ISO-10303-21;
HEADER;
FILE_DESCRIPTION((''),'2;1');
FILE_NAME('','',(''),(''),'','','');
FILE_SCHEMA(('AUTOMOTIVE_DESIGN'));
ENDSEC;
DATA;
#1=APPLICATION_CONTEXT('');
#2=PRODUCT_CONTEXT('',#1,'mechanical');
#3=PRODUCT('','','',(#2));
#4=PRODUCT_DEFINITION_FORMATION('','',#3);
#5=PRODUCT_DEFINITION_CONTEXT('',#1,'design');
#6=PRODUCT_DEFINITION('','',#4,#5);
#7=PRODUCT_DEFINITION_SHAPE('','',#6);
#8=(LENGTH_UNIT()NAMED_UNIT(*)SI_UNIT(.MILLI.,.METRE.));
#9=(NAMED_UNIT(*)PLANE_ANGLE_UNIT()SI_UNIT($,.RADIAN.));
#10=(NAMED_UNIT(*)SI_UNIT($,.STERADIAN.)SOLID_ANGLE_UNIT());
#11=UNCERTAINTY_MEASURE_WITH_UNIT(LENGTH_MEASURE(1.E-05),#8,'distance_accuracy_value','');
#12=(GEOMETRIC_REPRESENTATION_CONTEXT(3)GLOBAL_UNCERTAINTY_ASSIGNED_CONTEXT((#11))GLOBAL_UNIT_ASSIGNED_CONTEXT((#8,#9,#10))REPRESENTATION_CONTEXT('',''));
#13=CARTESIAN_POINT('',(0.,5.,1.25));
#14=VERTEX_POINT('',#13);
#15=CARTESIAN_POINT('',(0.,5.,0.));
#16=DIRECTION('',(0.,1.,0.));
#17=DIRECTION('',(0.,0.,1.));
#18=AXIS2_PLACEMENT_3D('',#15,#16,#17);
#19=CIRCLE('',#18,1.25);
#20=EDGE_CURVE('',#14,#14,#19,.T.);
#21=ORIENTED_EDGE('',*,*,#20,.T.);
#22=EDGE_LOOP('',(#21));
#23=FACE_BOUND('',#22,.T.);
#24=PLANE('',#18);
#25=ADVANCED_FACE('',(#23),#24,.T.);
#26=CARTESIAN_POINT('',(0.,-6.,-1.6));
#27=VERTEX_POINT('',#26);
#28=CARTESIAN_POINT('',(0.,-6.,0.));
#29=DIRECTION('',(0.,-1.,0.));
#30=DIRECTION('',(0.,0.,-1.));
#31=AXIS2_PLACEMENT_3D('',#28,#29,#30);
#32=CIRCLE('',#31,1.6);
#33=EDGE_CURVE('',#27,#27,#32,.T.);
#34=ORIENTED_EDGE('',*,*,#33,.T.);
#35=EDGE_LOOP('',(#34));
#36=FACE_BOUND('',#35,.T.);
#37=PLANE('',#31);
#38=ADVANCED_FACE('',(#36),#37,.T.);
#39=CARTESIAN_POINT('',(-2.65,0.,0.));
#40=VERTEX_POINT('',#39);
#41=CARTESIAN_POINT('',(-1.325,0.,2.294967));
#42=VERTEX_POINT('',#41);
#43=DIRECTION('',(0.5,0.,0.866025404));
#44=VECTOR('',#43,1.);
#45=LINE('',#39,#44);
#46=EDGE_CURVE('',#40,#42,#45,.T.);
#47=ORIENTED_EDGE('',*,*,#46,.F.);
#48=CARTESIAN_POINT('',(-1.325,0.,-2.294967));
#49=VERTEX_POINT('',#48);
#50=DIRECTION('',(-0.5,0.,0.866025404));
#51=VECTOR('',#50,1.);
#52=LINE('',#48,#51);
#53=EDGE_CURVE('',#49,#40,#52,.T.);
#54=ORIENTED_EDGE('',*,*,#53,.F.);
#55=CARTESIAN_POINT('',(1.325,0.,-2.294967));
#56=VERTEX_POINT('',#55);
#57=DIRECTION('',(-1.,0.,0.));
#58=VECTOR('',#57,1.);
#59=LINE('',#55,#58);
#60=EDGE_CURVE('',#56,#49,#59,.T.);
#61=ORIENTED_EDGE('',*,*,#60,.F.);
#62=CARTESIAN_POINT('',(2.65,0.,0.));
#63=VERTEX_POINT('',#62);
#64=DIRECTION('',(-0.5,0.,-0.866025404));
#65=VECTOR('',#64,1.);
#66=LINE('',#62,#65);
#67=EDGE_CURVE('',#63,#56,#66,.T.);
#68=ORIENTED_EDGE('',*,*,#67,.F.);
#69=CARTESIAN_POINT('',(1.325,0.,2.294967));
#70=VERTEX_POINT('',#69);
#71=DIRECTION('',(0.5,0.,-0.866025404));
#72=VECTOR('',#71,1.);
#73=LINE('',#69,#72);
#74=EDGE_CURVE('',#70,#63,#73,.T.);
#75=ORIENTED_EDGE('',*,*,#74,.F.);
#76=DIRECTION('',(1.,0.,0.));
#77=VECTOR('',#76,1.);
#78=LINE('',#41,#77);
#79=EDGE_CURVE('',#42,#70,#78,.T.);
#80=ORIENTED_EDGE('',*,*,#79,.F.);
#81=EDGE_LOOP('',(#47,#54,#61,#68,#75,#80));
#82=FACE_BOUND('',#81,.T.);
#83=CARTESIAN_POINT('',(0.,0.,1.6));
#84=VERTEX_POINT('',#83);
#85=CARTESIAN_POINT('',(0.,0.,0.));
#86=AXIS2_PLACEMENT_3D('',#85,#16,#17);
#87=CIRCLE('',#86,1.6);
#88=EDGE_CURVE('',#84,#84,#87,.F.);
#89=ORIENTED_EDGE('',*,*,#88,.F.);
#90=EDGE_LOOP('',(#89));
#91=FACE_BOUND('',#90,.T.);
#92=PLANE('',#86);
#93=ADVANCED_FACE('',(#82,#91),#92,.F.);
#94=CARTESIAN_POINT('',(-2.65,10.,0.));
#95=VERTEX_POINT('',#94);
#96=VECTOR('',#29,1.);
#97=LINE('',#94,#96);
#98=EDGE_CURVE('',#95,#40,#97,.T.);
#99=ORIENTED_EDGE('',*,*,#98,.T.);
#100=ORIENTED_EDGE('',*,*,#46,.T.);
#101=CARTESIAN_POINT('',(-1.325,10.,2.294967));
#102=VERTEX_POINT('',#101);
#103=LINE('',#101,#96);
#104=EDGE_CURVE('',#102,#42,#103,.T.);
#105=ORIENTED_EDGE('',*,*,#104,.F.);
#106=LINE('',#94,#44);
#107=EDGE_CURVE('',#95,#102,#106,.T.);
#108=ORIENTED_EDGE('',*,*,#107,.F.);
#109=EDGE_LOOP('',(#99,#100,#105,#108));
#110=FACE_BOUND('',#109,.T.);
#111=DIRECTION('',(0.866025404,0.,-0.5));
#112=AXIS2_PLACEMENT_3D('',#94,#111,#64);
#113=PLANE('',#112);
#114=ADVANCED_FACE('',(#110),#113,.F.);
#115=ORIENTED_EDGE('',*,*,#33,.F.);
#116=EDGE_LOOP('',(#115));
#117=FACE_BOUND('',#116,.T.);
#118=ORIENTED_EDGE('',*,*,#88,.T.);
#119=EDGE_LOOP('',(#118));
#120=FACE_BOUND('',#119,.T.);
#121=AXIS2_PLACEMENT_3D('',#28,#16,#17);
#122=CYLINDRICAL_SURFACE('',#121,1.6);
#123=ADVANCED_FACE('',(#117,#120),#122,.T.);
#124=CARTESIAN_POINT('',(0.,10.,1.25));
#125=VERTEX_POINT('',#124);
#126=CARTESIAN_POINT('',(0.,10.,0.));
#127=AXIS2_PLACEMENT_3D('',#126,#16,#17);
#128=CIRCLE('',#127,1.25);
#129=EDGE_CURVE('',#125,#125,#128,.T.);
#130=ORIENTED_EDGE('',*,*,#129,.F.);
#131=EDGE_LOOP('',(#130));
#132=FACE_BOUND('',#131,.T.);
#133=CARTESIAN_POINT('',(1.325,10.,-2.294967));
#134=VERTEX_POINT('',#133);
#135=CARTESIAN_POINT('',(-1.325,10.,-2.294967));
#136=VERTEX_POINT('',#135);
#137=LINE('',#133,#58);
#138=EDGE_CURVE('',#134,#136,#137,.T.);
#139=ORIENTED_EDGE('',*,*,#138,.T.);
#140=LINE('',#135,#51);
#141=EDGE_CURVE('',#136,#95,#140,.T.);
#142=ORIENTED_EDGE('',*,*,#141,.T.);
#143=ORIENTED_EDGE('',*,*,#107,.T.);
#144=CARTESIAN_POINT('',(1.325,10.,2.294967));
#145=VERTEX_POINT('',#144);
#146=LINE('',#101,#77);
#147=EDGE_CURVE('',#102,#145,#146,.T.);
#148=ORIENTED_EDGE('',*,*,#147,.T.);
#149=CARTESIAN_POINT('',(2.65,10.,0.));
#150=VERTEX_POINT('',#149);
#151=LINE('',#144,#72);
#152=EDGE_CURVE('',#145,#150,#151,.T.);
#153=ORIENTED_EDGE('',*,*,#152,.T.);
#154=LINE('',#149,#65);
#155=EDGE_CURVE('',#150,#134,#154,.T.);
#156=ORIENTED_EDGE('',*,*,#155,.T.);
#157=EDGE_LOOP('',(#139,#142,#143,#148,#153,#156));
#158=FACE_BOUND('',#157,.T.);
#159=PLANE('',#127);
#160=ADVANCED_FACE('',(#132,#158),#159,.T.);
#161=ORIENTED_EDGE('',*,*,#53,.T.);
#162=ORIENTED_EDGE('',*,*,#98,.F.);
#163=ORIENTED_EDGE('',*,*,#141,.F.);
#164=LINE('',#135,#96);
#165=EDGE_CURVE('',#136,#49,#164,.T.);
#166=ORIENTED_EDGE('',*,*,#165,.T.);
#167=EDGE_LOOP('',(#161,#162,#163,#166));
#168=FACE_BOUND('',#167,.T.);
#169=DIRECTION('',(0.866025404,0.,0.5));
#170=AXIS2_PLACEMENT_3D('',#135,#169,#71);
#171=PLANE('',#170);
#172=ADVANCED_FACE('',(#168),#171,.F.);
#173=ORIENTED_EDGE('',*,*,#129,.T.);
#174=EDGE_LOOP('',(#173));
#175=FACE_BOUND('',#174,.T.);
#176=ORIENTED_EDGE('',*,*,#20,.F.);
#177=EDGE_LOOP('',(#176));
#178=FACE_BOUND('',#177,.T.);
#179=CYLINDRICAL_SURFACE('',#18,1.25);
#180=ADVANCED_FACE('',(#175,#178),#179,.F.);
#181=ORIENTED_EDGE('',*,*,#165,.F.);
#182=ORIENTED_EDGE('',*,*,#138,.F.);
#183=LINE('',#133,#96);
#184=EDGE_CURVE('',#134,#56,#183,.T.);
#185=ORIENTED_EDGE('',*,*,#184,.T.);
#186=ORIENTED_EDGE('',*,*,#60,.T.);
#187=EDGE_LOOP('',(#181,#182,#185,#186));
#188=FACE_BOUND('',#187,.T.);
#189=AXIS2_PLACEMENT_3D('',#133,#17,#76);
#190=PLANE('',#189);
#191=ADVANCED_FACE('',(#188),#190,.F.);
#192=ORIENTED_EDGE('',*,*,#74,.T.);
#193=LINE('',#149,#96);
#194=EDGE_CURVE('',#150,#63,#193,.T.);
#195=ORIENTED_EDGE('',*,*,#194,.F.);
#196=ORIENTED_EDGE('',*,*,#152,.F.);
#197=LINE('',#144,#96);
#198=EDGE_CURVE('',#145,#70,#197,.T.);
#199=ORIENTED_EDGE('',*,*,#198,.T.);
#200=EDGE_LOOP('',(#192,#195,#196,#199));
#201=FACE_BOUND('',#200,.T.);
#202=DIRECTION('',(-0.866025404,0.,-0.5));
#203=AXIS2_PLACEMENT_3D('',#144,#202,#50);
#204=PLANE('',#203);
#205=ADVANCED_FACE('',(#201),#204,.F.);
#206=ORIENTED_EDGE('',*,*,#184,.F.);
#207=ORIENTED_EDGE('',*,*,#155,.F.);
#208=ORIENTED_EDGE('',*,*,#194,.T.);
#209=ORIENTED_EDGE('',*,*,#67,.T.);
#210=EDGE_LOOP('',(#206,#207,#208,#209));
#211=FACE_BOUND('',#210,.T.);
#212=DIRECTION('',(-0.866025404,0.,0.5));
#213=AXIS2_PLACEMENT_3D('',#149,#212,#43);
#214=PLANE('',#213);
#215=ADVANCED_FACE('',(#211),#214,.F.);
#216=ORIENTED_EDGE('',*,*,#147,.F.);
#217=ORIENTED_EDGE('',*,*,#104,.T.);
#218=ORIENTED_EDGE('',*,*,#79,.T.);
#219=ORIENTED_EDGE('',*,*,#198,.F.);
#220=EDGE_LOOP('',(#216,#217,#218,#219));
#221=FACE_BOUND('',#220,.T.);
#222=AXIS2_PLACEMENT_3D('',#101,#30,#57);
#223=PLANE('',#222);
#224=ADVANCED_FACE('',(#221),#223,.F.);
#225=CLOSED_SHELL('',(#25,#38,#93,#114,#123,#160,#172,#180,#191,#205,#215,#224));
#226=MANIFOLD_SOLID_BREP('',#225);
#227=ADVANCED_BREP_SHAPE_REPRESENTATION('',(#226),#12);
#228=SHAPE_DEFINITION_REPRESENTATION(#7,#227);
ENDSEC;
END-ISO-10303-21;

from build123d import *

# Parameters (mm, degrees)
EXTRUDE_1_DEPTH     = 10
SKETCH_6_R          = 1.6
EXTRUDE_2_DEPTH     = 6
SKETCH_7_R          = 1.25
CUT_EXTRUDE_1_DEPTH = 5


with BuildPart() as part:
    # 草图4 → 凸台-拉伸1 (new body)
    with BuildSketch(Plane(origin=(0, 0, 0), x_dir=(1, 0, 0), z_dir=(0, 1, 0))):
        Polygon((1.325, -2.29496732), (2.65, 0), (1.325, 2.29496732), (-1.325, 2.29496732), (-2.65, 0), (-1.325, -2.29496732), align=None)
    extrude(amount=EXTRUDE_1_DEPTH)

    # 草图6 → 凸台-拉伸2 (add)
    with BuildSketch(Plane(origin=(0, 0, 0), x_dir=(-1, 0, 0), z_dir=(0, -1, 0))):
        with Locations(Location((0, 0, 0), (0, 0, 270))):
            Circle(SKETCH_6_R)
    extrude(amount=EXTRUDE_2_DEPTH)

    # 草图7 → 切除-拉伸1 (cut)
    with BuildSketch(Plane(origin=(0, 10, 0), x_dir=(1, 0, 0), z_dir=(0, 1, 0))):
        with Locations(Location((0, 0, 0), (0, 0, 270))):
            Circle(SKETCH_7_R)
    extrude(amount=-CUT_EXTRUDE_1_DEPTH, mode=Mode.SUBTRACT)


solid = part.part
